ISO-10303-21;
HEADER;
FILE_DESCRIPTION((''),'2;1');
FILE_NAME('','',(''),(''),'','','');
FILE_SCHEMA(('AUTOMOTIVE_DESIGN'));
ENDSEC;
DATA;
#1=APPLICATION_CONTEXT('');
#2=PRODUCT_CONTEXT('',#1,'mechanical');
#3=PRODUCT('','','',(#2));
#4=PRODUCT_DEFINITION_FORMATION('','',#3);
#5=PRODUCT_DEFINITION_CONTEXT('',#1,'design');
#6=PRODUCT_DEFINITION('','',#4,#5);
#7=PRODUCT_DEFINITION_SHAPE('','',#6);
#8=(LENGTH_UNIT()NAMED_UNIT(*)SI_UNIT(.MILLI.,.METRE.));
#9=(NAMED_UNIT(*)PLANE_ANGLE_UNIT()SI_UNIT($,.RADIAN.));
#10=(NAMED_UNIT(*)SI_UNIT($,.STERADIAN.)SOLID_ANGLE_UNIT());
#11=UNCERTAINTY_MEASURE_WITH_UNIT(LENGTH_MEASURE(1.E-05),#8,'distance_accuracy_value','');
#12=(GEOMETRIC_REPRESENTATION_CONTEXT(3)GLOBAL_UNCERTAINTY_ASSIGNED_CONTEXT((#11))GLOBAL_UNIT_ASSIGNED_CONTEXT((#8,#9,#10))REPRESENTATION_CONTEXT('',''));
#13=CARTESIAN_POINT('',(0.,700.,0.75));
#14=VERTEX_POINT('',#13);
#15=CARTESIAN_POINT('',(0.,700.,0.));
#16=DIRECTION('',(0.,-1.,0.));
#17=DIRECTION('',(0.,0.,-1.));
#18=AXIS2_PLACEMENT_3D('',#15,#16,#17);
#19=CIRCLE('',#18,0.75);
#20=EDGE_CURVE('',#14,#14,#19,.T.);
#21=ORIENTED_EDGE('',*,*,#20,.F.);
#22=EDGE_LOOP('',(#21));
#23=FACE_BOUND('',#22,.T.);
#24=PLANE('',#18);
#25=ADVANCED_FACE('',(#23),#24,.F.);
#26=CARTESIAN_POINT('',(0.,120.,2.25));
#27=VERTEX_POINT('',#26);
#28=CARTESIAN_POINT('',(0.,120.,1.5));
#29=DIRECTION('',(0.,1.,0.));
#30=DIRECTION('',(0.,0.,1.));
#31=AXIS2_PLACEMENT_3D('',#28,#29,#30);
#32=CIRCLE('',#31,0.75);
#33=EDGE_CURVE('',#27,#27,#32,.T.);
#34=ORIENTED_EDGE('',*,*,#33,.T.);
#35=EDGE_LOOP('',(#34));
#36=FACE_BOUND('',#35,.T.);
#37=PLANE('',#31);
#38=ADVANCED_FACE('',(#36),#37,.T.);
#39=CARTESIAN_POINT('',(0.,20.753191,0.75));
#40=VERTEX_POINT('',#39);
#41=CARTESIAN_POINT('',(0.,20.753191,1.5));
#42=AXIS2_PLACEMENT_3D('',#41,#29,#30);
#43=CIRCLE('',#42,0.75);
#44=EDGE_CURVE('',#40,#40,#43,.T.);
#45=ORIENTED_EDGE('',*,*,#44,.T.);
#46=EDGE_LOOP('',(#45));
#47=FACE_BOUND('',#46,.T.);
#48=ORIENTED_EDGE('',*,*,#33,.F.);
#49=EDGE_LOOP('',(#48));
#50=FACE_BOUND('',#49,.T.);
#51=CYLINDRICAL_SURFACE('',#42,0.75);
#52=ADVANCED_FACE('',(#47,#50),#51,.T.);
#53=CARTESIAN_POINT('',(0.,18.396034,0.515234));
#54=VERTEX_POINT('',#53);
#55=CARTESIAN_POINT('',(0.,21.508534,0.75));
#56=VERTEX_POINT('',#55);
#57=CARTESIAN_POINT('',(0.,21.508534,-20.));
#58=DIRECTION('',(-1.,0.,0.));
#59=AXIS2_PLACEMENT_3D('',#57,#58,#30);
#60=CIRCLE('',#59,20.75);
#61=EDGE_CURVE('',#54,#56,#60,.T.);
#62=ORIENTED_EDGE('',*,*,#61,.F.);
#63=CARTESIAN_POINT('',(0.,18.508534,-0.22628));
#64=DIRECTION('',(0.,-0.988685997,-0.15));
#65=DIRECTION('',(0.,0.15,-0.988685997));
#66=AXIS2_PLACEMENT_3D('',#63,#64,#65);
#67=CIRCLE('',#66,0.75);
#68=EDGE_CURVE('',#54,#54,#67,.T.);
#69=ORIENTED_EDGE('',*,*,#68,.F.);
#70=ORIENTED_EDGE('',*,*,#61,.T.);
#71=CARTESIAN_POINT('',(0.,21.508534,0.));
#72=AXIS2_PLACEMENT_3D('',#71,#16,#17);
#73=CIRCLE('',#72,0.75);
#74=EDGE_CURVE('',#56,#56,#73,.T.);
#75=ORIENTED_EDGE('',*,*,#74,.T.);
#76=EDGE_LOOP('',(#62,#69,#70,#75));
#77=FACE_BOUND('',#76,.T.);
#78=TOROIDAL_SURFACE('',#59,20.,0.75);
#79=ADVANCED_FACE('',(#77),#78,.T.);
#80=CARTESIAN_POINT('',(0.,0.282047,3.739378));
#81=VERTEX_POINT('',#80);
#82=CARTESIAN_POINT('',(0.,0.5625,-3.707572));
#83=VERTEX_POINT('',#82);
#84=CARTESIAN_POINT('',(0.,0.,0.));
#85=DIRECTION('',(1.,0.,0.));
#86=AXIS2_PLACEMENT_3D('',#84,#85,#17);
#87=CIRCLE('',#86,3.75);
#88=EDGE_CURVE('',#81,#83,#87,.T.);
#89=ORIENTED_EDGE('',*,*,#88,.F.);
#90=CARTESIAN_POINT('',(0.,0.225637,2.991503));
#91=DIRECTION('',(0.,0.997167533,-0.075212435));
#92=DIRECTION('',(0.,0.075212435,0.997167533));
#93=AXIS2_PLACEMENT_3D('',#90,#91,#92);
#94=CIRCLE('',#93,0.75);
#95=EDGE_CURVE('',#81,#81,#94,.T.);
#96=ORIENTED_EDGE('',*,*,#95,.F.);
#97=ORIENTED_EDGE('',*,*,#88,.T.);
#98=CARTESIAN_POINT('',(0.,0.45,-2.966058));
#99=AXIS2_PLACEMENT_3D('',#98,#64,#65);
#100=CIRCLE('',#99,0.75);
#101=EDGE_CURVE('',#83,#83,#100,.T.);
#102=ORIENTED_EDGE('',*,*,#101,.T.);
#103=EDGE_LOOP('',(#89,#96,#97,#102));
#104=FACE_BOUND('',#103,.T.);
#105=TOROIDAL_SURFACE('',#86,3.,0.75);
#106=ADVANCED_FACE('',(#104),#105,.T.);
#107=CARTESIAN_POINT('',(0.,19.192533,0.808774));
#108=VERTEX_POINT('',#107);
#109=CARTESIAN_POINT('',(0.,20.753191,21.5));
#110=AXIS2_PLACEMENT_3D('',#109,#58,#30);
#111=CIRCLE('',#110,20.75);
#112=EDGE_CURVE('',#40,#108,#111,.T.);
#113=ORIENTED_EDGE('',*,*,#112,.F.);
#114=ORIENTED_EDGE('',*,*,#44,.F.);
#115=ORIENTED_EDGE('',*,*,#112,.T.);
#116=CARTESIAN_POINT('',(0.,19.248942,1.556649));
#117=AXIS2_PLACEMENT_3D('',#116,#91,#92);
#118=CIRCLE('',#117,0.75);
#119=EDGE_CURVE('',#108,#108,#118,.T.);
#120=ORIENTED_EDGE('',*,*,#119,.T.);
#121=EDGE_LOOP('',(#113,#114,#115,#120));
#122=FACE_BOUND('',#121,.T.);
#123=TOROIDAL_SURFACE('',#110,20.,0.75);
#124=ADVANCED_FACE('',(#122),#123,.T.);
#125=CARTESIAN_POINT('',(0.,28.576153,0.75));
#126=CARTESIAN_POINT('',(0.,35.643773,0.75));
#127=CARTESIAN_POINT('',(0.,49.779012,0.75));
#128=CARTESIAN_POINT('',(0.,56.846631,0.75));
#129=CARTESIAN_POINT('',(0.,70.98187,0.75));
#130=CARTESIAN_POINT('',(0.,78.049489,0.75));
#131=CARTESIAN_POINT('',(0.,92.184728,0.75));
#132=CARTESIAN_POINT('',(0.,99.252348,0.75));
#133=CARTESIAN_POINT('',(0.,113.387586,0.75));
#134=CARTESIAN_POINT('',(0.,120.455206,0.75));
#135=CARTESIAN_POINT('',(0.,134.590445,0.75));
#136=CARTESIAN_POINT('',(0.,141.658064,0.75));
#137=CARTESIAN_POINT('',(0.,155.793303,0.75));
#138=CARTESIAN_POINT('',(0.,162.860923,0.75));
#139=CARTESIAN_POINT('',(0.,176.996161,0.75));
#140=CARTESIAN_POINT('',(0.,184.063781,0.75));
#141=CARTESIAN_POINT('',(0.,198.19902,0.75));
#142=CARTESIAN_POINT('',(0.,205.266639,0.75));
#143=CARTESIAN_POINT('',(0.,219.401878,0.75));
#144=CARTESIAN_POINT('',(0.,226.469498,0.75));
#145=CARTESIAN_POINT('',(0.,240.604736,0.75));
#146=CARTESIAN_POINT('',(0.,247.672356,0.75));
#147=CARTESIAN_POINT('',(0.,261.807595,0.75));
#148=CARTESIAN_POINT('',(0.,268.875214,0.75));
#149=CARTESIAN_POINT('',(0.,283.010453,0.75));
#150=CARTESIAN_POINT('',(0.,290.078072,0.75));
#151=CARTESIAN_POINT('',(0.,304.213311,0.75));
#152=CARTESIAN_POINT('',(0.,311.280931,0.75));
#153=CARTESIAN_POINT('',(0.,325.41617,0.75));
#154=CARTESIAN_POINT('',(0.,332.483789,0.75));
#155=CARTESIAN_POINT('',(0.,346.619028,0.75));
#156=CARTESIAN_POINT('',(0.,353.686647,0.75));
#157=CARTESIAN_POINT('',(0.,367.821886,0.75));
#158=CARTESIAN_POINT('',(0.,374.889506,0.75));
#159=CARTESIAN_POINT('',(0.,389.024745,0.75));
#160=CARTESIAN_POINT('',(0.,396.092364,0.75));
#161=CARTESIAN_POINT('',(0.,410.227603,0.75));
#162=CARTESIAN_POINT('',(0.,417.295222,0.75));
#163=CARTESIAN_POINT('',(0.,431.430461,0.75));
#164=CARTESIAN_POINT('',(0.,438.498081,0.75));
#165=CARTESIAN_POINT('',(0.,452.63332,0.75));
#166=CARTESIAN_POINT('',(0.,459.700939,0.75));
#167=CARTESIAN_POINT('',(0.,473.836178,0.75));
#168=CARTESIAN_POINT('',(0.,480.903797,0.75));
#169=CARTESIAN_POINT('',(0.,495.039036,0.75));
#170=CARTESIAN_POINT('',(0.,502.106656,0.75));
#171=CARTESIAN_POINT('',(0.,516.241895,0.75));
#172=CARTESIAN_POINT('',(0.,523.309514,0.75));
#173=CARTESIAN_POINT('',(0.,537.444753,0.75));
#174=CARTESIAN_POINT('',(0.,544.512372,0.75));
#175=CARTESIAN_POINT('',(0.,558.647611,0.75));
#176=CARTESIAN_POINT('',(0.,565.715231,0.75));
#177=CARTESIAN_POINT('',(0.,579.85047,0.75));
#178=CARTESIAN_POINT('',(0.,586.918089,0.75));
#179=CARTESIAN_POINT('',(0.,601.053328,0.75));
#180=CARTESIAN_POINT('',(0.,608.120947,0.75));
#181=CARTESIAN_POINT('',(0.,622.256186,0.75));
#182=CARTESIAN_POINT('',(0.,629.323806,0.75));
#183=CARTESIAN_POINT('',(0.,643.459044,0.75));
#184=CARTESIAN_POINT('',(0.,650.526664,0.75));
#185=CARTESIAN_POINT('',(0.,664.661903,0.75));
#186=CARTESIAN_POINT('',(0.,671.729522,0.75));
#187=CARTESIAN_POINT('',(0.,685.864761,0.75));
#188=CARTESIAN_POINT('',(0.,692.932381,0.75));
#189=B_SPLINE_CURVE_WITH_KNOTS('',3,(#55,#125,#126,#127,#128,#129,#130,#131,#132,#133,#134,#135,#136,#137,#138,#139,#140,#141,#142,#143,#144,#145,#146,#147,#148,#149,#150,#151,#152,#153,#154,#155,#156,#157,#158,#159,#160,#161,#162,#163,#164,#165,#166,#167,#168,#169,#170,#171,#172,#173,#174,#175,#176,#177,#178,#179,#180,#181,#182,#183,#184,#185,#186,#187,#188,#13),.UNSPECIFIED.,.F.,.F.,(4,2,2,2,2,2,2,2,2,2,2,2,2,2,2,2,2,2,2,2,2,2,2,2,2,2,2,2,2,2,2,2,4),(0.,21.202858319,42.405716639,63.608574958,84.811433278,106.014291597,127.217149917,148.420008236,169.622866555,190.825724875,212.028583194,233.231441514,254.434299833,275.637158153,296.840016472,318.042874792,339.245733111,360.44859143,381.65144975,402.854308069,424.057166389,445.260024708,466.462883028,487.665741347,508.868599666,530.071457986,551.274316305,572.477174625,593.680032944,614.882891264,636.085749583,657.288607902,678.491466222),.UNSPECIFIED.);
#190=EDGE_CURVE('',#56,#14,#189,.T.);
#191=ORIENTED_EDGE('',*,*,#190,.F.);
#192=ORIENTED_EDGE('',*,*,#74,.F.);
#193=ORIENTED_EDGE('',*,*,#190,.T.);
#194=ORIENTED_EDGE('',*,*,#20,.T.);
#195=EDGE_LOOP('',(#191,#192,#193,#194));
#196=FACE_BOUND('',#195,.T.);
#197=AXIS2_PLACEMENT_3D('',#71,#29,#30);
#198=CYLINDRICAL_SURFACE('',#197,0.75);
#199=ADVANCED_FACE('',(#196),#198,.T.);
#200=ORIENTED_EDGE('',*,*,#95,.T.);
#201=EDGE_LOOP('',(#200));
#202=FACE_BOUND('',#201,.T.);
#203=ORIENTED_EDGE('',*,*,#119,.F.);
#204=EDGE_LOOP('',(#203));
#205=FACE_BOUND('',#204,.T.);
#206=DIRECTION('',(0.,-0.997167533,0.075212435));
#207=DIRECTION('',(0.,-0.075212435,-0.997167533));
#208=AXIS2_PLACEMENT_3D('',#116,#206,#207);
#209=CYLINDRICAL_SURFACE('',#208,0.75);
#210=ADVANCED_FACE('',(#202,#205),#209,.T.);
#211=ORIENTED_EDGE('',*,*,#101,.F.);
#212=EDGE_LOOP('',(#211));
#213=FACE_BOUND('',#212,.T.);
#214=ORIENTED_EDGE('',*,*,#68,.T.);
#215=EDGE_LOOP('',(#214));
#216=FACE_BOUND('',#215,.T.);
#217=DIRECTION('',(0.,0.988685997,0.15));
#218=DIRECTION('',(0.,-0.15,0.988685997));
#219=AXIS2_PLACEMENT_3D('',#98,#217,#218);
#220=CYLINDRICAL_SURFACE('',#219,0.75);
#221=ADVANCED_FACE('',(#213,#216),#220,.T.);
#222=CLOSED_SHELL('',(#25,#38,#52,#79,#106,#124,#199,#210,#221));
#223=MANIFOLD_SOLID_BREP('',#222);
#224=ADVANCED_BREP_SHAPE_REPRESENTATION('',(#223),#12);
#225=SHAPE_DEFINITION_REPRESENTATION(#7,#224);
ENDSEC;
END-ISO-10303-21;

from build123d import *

# Parameters (mm, degrees)
SKETCH2_R = 0.75


with BuildPart() as part:
    # Sweep1: sweep along a path in Sketch1
    with BuildLine(Plane(origin=(0, 0, 0), x_dir=(0, 0, -1), z_dir=(1, 0, 0))) as sweep1_path:
        Line((0, 700), (0, 21.508533778))
        ThreePointArc((0, 21.508533778), (0.056650248, 20.004272941), (0.226280067, 18.508533778))
        Line((0.226280067, 18.508533778), (2.96605799, 0.45))
        ThreePointArc((2.96605799, 0.45), (0.112900451, -2.997874829), (-2.9915026, 0.225637305))
        Line((-2.9915026, 0.225637305), (-1.556649332, 19.248942344))
        ThreePointArc((-1.556649332, 19.248942344), (-1.514167351, 20.000533536), (-1.5, 20.753191044))
        Line((-1.5, 20.753191044), (-1.5, 120))
    # Sketch2 → Sweep1 (sweep)
    with BuildSketch(Plane(origin=(0, 120, 1.5), x_dir=(-1, 0, 0), z_dir=(0, 1, 0))):
        Circle(SKETCH2_R)
    sweep(path=sweep1_path.line)


solid = part.part
